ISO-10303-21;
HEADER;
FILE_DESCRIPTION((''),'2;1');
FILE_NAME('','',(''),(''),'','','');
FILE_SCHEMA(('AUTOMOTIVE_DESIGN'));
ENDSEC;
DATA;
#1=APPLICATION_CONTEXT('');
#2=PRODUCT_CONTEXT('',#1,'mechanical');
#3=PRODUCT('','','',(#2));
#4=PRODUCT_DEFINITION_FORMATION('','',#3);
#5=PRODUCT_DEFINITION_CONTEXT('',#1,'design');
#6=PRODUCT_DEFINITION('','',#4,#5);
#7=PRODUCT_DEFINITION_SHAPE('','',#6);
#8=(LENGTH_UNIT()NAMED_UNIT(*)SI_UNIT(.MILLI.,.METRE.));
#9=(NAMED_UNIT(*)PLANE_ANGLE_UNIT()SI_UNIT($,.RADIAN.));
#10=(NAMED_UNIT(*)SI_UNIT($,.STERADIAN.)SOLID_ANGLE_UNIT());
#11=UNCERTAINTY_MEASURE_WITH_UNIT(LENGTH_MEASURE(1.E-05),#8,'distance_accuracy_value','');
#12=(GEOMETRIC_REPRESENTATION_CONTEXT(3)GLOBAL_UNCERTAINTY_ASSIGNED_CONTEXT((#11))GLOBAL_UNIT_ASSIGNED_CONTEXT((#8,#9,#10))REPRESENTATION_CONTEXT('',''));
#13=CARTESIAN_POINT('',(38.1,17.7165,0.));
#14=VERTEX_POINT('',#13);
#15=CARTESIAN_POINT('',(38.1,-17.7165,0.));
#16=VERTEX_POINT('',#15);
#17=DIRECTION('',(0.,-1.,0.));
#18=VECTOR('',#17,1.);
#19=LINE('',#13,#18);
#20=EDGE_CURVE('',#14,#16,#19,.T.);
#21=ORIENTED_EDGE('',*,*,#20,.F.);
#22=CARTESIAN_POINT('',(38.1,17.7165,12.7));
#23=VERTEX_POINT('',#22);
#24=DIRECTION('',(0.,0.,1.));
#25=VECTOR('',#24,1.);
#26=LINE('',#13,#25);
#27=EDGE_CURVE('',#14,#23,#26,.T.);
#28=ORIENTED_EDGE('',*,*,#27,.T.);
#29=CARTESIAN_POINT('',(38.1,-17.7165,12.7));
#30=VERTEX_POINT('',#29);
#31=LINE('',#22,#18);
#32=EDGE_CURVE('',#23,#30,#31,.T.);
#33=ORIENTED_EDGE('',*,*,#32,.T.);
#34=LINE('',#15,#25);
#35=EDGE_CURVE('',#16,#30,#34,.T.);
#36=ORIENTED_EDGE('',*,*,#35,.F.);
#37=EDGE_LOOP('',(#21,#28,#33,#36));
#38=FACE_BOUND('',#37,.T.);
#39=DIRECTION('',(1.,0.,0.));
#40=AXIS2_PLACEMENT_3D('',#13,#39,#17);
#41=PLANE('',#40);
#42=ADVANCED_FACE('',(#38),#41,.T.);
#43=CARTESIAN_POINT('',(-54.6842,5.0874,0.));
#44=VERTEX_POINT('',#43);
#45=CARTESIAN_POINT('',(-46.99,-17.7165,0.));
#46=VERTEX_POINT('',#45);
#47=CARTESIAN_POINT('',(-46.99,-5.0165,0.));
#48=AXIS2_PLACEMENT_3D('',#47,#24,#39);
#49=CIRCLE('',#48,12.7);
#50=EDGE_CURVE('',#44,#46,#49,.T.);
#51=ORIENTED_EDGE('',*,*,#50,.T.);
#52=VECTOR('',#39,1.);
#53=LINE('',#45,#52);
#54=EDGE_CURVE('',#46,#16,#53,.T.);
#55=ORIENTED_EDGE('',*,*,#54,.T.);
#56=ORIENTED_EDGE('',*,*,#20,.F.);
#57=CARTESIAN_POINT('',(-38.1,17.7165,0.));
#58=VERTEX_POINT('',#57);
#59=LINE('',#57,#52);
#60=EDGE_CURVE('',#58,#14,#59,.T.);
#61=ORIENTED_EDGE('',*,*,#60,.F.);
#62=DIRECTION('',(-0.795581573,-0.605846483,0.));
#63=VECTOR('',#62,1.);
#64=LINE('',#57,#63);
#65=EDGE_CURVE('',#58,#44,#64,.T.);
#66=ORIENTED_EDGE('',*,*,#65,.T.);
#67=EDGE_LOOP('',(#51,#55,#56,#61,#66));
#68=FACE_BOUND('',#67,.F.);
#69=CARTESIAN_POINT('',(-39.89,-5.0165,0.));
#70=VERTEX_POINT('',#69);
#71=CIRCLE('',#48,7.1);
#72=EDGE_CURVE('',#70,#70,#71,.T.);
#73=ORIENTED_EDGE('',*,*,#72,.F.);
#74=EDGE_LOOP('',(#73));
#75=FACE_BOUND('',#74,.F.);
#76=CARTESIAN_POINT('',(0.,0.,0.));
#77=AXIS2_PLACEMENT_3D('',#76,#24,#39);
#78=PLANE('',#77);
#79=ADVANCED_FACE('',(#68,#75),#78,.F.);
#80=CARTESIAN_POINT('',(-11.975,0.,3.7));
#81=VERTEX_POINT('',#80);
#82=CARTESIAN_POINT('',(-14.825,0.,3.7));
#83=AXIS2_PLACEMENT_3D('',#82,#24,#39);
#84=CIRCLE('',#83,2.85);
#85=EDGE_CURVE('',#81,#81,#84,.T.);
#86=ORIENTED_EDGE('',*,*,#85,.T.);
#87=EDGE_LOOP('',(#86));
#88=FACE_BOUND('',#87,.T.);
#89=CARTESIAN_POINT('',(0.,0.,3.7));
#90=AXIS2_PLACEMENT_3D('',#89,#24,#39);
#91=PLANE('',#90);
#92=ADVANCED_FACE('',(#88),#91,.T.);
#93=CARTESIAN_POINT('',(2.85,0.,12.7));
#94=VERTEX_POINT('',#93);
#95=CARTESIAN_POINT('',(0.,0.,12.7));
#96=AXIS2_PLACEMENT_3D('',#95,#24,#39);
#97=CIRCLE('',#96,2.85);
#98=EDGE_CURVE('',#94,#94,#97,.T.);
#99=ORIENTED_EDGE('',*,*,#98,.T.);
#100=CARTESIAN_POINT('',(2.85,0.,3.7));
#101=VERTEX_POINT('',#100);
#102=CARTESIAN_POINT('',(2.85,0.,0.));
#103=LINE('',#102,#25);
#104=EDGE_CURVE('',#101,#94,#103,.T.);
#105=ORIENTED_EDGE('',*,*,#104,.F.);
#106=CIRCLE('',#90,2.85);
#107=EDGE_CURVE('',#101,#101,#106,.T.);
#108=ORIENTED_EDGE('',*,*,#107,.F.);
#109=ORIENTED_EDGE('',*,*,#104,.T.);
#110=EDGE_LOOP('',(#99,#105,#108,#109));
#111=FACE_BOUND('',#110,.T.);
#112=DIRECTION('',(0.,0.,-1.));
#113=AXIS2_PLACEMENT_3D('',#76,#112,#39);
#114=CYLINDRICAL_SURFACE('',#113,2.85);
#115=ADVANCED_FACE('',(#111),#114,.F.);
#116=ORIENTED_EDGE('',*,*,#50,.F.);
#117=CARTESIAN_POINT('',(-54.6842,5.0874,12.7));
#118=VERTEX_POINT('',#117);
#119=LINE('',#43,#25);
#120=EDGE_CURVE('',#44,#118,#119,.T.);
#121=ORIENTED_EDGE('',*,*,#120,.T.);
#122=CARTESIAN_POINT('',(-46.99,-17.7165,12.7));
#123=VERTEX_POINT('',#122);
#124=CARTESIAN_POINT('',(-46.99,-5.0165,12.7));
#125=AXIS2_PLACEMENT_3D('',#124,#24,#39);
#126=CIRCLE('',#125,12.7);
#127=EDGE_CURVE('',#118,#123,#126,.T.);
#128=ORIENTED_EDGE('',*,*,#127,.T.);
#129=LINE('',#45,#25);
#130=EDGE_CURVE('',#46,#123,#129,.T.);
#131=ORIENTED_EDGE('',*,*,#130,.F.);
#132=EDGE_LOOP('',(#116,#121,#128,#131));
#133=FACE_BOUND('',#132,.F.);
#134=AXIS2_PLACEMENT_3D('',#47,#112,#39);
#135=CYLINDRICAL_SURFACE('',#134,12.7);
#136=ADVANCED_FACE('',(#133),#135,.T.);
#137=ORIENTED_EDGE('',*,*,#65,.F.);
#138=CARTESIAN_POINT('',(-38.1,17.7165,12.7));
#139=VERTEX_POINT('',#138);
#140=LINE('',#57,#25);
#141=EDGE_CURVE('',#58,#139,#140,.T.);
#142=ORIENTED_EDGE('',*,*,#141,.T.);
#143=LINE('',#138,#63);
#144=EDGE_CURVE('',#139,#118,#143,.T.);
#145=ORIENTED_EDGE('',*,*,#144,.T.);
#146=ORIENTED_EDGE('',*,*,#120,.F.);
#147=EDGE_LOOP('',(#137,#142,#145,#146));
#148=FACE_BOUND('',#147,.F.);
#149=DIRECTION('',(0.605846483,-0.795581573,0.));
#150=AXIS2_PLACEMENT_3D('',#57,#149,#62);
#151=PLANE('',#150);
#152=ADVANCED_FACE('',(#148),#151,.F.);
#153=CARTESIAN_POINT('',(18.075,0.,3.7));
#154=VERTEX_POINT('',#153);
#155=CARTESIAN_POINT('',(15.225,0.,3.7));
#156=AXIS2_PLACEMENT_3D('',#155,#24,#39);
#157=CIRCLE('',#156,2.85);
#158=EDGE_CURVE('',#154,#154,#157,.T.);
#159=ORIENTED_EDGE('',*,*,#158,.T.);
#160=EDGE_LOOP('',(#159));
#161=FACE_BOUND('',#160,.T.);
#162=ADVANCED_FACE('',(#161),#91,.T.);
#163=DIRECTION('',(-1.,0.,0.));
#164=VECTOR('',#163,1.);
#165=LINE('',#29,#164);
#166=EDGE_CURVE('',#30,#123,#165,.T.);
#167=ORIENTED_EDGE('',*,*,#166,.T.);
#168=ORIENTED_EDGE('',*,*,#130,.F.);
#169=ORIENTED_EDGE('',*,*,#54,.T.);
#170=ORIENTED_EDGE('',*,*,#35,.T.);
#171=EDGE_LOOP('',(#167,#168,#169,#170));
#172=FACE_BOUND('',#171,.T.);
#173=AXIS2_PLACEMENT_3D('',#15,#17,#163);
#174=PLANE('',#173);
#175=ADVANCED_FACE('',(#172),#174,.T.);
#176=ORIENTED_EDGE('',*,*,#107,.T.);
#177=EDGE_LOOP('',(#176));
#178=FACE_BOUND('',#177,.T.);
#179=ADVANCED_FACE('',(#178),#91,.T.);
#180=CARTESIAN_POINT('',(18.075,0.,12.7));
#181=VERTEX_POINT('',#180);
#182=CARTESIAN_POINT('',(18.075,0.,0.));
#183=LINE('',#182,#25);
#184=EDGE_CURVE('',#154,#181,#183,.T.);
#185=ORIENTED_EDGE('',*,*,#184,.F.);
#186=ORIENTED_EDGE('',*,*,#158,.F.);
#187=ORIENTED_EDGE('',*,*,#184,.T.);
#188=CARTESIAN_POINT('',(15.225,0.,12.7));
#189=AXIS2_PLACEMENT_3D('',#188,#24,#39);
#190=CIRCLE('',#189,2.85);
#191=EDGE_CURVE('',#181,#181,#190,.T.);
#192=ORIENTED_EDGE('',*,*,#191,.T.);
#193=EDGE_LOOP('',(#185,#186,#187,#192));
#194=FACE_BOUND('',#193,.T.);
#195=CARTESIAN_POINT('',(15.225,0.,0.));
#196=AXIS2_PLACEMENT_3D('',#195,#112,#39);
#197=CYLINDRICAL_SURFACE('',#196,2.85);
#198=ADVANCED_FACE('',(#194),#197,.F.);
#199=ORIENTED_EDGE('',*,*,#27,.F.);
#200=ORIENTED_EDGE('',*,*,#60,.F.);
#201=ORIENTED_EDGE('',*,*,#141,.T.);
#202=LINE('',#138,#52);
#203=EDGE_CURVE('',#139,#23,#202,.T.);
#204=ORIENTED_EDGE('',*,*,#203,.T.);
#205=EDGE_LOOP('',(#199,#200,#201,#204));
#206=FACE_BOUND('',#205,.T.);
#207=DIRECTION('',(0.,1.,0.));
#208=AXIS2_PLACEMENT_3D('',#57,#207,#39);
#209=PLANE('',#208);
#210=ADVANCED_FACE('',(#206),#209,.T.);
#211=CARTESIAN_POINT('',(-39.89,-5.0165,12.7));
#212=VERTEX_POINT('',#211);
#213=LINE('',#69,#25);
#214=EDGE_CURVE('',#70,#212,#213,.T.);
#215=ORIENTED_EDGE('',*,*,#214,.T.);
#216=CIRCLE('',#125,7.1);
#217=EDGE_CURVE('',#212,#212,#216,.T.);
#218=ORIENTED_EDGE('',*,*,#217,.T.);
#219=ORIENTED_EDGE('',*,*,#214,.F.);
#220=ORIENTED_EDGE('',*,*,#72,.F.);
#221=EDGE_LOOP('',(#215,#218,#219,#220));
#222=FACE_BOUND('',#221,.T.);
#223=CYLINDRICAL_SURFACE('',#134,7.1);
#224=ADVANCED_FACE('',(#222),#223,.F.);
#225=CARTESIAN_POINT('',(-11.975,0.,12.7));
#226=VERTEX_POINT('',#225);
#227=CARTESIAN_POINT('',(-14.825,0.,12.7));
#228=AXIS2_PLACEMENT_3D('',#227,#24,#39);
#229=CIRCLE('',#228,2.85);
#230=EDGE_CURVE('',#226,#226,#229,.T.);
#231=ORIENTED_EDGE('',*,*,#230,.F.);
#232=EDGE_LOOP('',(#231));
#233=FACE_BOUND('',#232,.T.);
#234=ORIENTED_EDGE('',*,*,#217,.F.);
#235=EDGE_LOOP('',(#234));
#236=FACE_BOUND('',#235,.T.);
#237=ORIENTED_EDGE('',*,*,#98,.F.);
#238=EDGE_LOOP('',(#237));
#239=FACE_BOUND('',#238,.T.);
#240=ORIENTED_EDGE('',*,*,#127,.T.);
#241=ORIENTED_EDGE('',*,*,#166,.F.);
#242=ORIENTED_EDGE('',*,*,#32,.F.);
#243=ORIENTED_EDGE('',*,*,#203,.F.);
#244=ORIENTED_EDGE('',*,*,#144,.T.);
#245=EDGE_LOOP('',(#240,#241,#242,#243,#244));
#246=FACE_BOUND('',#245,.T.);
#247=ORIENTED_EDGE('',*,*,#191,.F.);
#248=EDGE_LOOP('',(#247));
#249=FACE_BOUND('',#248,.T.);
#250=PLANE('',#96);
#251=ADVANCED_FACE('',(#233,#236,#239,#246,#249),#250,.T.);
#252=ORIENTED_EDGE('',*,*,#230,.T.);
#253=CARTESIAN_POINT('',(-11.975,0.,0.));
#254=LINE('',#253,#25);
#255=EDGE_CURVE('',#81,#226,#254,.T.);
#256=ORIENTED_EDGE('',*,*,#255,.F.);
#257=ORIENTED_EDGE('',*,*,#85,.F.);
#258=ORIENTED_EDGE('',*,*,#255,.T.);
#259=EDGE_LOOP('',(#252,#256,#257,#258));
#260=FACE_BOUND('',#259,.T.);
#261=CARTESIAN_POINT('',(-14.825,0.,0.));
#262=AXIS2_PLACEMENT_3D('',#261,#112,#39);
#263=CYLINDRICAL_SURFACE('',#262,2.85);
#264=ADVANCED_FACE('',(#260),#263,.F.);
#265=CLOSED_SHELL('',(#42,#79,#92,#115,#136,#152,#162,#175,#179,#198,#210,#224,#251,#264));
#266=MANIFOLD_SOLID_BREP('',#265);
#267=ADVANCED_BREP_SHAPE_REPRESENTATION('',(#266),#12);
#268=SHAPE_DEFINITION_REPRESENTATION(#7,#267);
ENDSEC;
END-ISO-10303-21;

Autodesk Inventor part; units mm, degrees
ref_plane "YZ Plane" through (0, 0, 0) normal (1, 0, 0) x (0, 1, 0)
ref_plane "XZ Plane" through (0, 0, 0) normal (0, 1, 0) x (-1, 0, 0)
ref_plane "XY Plane" through (0, 0, 0) normal (0, 0, 1) x (1, 0, 0)
sketch "Sketch1" plane through (0, 0, 0) normal (0, 0, 1) x (1, 0, 0)
  line L0 (38.1, -17.7165) -> (-38.1, -17.7165)
  line L1 (-38.1, -17.7165) -> (-38.1, 17.7165)
  line L2 (-38.1, 17.7165) -> (38.1, 17.7165)
  line L3 (38.1, 17.7165) -> (38.1, -17.7165)
  line L4 (38.1, -17.7165) -> (-38.1, 17.7165) construction
  line L5 (-38.1, -17.7165) -> (38.1, 17.7165) construction
  circle A0 centre (-14.825, 0) radius 2.85
  circle A1 centre (0, 0) radius 2.85
  circle A2 centre (15.225, 0) radius 2.85
  circle A3 centre (-46.99, -5.0165) radius 7.1
  circle A4 centre (-46.99, -5.0165) radius 12.7
  line L6 (-38.1, -17.7165) -> (-46.99, -17.7165)
  line L7 (-38.1, 17.7165) -> (-54.6842, 5.0874)
  dimension "d0" = 76.2
  dimension "d1" = 35.433
  dimension "d2" = 5.7
  dimension "d3" = 14.825
  dimension "d4" = 5.7
  dimension "d5" = 5.7
  dimension "d6" = 15.225
  dimension "d7" = 14.2
  dimension "d8" = 8.89
  dimension "d9" = 12.7
  dimension "d10" = 25.4
extrude "Extrusion1" add sketch "Sketch1" along normal blind 12.7
extrude "Extrusion2" add sketch "Sketch1" along normal blind 3.7 contours A0 | A1 | A2
properties part number "Slide_Climb_Mounts"
